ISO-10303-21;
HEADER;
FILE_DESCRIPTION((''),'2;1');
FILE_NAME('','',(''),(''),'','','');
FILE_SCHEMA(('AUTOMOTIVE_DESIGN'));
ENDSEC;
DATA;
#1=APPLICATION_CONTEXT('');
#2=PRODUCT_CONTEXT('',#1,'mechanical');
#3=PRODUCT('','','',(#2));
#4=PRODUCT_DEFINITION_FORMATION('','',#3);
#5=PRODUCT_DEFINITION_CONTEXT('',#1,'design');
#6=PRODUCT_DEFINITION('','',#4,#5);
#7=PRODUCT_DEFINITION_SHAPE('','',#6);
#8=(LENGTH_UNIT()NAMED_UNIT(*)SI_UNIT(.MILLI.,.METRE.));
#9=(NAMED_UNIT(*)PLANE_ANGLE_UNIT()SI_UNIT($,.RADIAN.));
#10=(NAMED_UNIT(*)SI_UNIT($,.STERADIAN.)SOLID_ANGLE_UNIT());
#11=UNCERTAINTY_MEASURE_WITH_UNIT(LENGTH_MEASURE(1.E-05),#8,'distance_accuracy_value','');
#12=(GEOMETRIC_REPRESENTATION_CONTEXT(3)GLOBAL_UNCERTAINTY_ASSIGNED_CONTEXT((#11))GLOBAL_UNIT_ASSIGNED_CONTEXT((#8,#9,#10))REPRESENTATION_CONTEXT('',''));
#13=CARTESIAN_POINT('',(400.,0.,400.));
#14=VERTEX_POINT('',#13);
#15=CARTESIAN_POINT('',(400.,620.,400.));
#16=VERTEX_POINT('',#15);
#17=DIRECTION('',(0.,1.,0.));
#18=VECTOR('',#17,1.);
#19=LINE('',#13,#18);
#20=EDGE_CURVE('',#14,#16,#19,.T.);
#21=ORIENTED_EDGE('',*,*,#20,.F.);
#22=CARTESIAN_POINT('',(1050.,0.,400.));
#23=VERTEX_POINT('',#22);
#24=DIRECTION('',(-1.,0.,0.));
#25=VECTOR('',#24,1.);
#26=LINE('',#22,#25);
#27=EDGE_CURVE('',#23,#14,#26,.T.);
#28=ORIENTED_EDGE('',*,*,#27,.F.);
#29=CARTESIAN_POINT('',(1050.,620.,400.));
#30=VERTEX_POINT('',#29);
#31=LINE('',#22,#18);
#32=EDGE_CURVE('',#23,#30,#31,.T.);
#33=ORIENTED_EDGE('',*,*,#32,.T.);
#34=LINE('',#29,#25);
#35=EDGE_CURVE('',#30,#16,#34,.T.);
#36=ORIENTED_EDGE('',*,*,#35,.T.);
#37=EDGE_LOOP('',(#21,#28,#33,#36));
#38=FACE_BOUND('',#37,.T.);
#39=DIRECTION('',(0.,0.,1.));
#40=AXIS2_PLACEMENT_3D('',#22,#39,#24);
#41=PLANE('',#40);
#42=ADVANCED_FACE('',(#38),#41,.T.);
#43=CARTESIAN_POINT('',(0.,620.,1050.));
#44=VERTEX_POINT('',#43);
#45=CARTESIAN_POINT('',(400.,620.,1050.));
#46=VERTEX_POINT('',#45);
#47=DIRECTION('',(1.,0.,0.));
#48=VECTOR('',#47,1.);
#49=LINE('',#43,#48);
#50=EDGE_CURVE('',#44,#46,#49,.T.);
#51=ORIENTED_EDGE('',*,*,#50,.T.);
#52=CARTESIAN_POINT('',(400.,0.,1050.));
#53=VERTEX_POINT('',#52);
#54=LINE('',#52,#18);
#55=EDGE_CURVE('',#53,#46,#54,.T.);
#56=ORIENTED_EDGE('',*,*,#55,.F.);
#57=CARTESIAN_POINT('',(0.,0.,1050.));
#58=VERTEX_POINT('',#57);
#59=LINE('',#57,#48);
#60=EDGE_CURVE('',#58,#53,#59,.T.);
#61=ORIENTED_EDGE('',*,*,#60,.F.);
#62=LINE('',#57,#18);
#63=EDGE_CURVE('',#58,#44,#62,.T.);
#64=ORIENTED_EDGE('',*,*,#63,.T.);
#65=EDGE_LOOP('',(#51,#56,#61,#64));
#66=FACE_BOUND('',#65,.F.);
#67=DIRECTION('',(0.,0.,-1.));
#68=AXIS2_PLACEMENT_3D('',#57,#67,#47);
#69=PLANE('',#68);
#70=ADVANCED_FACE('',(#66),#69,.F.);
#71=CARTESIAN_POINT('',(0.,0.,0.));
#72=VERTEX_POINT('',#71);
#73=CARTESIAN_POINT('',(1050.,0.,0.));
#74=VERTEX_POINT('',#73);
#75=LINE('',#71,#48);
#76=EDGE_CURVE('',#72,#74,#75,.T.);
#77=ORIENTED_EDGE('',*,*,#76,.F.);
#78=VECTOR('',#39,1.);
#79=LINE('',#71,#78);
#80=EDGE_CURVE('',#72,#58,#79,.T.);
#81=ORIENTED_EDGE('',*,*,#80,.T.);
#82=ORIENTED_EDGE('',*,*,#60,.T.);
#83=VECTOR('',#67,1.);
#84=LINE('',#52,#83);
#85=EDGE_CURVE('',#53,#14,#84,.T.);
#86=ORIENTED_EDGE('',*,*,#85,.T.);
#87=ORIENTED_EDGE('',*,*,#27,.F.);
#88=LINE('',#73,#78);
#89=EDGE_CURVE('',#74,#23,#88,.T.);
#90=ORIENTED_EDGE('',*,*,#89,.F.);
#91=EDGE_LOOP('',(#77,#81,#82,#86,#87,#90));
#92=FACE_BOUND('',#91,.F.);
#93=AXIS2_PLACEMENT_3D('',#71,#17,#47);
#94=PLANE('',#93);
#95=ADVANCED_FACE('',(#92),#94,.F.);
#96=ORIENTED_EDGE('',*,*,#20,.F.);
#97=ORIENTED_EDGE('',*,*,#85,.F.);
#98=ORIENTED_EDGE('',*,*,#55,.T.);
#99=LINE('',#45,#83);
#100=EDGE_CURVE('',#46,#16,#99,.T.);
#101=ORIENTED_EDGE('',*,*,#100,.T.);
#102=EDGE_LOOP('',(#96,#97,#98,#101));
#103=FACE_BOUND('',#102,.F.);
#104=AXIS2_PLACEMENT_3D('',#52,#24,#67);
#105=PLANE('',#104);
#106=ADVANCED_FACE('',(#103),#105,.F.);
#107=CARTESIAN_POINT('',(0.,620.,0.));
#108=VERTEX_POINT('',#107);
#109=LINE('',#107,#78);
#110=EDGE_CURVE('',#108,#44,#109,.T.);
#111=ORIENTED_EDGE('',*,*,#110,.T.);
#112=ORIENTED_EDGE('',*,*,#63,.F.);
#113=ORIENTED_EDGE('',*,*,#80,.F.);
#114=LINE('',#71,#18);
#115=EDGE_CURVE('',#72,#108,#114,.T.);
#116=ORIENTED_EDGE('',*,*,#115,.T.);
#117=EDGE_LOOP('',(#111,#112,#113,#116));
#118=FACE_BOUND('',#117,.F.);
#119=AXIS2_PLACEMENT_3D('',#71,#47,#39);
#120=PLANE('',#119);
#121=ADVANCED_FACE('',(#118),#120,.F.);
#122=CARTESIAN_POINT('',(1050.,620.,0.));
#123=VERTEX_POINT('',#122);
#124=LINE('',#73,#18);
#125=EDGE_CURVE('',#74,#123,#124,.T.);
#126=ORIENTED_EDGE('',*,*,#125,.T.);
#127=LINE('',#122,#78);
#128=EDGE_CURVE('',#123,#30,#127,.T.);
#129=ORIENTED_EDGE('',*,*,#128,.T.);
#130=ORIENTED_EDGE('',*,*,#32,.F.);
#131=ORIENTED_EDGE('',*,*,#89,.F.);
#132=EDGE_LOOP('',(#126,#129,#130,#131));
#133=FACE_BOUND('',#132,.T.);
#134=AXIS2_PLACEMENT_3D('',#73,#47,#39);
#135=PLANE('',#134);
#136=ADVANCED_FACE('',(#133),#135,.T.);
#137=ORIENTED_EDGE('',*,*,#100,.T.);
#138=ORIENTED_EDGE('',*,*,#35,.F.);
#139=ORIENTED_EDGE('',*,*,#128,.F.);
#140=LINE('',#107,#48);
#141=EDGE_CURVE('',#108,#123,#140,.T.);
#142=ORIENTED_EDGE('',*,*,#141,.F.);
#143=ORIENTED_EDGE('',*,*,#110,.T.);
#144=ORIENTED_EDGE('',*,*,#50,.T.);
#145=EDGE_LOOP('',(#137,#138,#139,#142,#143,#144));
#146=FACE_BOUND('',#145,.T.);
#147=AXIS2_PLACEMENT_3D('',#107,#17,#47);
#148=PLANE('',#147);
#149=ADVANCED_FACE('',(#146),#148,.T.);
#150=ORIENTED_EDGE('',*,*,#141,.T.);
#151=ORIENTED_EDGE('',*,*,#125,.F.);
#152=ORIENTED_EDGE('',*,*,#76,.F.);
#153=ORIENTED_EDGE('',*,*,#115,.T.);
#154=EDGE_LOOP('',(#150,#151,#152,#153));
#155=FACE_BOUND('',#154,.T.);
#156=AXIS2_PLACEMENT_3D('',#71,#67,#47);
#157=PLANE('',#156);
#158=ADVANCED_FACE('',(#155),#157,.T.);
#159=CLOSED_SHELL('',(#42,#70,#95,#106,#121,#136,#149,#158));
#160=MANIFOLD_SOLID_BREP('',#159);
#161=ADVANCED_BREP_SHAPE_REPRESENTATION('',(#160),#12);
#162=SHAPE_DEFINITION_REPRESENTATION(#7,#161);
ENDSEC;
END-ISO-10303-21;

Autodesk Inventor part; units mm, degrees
ref_plane "YZ Plane" through (0, 0, 0) normal (1, 0, 0) x (0, 1, 0)
ref_plane "XZ Plane" through (0, 0, 0) normal (0, 1, 0) x (-1, 0, 0)
ref_plane "XY Plane" through (0, 0, 0) normal (0, 0, 1) x (1, 0, 0)
sketch "Sketch1" plane through (0, 0, 0) normal (0, 1, 0) x (1, 0, 0)
  line L0 (0, 0) -> (0, -1050)
  line L1 (0, -1050) -> (400, -1050)
  line L2 (400, -1050) -> (400, -400)
  line L3 (0, 0) -> (1050, 0)
  line L4 (1050, 0) -> (1050, -400)
  line L5 (1050, -400) -> (400, -400)
  dimension "d1" = 1050
  dimension "d33" = 400
extrude "Extrusion1" add sketch "Sketch1" along normal blind 620
properties part number "Pensile angolo"
